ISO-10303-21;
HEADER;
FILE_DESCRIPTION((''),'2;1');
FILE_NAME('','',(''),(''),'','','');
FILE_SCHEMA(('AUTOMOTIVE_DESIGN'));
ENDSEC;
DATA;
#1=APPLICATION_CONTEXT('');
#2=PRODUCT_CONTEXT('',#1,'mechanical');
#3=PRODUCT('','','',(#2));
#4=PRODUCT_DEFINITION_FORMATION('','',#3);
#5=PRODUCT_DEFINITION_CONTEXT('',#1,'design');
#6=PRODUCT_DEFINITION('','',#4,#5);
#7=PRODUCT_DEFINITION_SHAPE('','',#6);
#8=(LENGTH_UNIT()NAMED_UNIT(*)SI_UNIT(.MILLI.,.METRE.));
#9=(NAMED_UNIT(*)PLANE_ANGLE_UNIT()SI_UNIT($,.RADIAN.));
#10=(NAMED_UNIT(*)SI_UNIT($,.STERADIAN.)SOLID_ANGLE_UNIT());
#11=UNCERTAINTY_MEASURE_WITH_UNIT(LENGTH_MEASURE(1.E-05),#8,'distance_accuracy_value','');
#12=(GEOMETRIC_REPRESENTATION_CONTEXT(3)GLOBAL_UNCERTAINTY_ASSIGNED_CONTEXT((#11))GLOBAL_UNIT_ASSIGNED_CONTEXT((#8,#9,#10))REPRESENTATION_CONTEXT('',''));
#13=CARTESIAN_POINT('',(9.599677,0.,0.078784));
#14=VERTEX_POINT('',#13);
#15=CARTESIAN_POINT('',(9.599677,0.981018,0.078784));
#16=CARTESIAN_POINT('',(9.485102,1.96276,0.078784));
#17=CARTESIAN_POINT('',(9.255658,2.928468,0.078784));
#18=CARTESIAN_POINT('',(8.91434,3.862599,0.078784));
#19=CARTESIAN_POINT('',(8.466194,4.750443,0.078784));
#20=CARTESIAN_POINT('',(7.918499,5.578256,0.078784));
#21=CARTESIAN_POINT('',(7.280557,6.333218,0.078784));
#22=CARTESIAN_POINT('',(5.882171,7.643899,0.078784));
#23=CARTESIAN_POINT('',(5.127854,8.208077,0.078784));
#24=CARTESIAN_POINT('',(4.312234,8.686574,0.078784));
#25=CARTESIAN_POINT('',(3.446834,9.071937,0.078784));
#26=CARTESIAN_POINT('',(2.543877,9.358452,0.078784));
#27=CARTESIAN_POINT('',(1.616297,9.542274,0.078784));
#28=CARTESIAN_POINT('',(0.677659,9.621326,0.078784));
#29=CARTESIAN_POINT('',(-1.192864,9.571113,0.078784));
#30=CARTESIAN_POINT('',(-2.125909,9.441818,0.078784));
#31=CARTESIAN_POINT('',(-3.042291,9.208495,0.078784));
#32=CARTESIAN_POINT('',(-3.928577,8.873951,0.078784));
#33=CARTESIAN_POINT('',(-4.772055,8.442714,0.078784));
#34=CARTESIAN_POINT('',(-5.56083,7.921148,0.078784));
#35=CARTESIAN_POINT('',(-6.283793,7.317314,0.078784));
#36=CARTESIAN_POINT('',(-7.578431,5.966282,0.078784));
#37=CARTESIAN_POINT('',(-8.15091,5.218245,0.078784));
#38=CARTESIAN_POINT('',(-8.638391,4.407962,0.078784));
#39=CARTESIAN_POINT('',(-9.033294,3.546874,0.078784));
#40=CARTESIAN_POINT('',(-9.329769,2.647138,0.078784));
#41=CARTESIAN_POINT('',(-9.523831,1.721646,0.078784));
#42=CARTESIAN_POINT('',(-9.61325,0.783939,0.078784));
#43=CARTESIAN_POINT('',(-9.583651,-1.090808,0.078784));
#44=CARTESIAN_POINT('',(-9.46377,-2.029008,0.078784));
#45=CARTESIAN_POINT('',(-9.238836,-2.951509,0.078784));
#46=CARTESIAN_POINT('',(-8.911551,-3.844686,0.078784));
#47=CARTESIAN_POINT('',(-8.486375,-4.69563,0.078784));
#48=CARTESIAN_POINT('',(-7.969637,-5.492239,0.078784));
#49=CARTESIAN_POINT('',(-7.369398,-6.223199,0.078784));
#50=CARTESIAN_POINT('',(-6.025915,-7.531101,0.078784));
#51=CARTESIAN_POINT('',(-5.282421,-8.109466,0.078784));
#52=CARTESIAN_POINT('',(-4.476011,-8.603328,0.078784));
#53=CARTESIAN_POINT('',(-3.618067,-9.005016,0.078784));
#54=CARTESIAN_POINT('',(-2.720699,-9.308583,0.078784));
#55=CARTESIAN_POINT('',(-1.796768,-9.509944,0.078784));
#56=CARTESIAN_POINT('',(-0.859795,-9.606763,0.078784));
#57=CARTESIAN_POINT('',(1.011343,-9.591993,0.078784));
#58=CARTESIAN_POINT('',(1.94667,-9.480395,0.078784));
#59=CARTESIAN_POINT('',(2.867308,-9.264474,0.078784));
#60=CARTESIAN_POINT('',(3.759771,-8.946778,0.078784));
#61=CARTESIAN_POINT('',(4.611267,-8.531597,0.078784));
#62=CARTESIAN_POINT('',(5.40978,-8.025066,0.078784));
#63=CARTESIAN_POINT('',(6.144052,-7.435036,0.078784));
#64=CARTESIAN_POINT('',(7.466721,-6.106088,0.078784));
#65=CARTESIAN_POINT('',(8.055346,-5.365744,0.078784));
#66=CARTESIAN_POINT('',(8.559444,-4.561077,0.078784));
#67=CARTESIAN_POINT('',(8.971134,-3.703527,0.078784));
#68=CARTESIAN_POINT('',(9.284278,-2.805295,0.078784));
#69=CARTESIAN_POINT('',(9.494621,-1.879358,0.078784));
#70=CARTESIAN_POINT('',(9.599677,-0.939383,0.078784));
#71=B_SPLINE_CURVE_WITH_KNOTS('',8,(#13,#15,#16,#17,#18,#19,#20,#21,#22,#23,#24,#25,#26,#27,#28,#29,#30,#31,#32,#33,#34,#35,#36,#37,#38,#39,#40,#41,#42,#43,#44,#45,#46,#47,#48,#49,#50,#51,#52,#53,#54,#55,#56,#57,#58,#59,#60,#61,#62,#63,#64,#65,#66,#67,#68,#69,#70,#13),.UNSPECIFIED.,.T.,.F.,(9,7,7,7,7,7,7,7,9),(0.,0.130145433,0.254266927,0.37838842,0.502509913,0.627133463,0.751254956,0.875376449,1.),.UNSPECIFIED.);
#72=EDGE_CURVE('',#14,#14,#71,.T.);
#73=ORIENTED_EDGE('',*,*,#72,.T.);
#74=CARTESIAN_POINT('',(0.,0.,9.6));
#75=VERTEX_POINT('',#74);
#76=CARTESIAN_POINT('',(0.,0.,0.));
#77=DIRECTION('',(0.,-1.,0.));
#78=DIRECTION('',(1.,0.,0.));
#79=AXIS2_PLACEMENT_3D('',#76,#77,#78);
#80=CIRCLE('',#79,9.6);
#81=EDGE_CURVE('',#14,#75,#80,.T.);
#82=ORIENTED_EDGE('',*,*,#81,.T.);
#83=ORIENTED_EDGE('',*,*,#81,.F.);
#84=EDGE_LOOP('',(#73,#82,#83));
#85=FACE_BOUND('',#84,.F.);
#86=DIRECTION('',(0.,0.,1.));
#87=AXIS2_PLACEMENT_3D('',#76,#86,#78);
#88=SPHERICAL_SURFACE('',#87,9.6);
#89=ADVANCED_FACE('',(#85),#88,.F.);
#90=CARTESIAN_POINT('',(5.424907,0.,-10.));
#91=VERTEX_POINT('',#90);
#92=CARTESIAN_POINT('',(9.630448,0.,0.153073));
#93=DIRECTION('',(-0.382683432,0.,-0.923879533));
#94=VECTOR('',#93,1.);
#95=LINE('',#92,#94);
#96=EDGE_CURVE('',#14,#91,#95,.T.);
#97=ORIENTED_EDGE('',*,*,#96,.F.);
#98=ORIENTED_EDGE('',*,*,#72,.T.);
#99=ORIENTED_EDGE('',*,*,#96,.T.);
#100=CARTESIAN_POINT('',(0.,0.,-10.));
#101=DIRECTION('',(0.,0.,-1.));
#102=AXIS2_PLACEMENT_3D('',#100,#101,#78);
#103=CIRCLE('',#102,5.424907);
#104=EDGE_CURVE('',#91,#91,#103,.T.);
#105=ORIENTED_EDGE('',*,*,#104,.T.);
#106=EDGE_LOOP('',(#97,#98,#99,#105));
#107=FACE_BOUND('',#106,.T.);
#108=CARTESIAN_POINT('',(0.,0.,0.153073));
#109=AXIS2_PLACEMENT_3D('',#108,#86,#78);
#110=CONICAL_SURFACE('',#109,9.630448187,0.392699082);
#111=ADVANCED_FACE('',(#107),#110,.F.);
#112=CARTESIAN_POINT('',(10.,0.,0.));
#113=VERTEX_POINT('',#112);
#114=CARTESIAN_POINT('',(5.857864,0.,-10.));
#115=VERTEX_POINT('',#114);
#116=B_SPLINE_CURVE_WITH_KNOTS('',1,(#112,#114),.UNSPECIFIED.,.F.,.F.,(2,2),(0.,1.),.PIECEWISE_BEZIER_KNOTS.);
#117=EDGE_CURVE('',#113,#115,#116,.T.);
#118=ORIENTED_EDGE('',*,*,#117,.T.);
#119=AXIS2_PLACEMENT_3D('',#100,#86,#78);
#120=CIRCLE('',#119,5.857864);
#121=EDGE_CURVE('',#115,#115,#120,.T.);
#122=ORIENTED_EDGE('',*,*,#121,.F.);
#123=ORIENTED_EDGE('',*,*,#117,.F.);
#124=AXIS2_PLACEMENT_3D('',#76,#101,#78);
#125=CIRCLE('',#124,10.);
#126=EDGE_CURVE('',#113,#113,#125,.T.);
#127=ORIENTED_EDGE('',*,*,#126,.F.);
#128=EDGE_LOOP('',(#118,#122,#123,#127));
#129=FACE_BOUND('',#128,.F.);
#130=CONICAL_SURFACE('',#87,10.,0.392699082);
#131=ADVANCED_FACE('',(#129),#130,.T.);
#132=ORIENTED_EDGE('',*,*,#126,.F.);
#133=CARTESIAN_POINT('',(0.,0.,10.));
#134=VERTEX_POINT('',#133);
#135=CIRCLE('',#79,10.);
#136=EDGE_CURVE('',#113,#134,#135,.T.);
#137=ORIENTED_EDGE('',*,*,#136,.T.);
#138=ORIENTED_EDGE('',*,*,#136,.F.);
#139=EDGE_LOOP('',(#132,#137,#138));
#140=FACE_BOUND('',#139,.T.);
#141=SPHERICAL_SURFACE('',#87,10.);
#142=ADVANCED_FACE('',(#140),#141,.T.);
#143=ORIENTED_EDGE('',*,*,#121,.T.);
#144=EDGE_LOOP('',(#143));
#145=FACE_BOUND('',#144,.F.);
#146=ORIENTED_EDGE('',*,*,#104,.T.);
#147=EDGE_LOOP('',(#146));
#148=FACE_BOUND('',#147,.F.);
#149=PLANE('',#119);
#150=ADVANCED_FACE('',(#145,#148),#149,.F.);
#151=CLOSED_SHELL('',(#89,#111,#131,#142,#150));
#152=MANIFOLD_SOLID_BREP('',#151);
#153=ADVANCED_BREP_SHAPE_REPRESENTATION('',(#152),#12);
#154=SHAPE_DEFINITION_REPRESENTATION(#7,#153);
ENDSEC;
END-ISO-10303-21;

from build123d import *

# Parameters (mm, degrees)
F0_R     = 10
F1_DEPTH = 10
F1_TAPER = 22.5
F4_T     = -0.4


with BuildPart() as f1:
    # F0 (on Top) → F1 (new body)
    with BuildSketch(Plane.XY):
        Circle(F0_R)
    extrude(amount=-F1_DEPTH, taper=F1_TAPER)

    # F2 (on Front) → F3 (revolve)
    with BuildSketch(Plane.XZ):
        with BuildLine():
            Line((0, 10), (0, 0))
            Line((0, 0), (10, 0))
            ThreePointArc((10, 0), (7.0710678119, 7.0710678119), (0, 10))
        make_face()
    revolve(axis=Axis((0, 0, -10), (0, 0, 1)))

    # F4
    f4_openings = [f1.faces().sort_by_distance(p)[0] for p in [
        (0, 0, -10),
    ]]
    offset(amount=F4_T, openings=f4_openings, kind=Kind.INTERSECTION)


solid = f1.part
